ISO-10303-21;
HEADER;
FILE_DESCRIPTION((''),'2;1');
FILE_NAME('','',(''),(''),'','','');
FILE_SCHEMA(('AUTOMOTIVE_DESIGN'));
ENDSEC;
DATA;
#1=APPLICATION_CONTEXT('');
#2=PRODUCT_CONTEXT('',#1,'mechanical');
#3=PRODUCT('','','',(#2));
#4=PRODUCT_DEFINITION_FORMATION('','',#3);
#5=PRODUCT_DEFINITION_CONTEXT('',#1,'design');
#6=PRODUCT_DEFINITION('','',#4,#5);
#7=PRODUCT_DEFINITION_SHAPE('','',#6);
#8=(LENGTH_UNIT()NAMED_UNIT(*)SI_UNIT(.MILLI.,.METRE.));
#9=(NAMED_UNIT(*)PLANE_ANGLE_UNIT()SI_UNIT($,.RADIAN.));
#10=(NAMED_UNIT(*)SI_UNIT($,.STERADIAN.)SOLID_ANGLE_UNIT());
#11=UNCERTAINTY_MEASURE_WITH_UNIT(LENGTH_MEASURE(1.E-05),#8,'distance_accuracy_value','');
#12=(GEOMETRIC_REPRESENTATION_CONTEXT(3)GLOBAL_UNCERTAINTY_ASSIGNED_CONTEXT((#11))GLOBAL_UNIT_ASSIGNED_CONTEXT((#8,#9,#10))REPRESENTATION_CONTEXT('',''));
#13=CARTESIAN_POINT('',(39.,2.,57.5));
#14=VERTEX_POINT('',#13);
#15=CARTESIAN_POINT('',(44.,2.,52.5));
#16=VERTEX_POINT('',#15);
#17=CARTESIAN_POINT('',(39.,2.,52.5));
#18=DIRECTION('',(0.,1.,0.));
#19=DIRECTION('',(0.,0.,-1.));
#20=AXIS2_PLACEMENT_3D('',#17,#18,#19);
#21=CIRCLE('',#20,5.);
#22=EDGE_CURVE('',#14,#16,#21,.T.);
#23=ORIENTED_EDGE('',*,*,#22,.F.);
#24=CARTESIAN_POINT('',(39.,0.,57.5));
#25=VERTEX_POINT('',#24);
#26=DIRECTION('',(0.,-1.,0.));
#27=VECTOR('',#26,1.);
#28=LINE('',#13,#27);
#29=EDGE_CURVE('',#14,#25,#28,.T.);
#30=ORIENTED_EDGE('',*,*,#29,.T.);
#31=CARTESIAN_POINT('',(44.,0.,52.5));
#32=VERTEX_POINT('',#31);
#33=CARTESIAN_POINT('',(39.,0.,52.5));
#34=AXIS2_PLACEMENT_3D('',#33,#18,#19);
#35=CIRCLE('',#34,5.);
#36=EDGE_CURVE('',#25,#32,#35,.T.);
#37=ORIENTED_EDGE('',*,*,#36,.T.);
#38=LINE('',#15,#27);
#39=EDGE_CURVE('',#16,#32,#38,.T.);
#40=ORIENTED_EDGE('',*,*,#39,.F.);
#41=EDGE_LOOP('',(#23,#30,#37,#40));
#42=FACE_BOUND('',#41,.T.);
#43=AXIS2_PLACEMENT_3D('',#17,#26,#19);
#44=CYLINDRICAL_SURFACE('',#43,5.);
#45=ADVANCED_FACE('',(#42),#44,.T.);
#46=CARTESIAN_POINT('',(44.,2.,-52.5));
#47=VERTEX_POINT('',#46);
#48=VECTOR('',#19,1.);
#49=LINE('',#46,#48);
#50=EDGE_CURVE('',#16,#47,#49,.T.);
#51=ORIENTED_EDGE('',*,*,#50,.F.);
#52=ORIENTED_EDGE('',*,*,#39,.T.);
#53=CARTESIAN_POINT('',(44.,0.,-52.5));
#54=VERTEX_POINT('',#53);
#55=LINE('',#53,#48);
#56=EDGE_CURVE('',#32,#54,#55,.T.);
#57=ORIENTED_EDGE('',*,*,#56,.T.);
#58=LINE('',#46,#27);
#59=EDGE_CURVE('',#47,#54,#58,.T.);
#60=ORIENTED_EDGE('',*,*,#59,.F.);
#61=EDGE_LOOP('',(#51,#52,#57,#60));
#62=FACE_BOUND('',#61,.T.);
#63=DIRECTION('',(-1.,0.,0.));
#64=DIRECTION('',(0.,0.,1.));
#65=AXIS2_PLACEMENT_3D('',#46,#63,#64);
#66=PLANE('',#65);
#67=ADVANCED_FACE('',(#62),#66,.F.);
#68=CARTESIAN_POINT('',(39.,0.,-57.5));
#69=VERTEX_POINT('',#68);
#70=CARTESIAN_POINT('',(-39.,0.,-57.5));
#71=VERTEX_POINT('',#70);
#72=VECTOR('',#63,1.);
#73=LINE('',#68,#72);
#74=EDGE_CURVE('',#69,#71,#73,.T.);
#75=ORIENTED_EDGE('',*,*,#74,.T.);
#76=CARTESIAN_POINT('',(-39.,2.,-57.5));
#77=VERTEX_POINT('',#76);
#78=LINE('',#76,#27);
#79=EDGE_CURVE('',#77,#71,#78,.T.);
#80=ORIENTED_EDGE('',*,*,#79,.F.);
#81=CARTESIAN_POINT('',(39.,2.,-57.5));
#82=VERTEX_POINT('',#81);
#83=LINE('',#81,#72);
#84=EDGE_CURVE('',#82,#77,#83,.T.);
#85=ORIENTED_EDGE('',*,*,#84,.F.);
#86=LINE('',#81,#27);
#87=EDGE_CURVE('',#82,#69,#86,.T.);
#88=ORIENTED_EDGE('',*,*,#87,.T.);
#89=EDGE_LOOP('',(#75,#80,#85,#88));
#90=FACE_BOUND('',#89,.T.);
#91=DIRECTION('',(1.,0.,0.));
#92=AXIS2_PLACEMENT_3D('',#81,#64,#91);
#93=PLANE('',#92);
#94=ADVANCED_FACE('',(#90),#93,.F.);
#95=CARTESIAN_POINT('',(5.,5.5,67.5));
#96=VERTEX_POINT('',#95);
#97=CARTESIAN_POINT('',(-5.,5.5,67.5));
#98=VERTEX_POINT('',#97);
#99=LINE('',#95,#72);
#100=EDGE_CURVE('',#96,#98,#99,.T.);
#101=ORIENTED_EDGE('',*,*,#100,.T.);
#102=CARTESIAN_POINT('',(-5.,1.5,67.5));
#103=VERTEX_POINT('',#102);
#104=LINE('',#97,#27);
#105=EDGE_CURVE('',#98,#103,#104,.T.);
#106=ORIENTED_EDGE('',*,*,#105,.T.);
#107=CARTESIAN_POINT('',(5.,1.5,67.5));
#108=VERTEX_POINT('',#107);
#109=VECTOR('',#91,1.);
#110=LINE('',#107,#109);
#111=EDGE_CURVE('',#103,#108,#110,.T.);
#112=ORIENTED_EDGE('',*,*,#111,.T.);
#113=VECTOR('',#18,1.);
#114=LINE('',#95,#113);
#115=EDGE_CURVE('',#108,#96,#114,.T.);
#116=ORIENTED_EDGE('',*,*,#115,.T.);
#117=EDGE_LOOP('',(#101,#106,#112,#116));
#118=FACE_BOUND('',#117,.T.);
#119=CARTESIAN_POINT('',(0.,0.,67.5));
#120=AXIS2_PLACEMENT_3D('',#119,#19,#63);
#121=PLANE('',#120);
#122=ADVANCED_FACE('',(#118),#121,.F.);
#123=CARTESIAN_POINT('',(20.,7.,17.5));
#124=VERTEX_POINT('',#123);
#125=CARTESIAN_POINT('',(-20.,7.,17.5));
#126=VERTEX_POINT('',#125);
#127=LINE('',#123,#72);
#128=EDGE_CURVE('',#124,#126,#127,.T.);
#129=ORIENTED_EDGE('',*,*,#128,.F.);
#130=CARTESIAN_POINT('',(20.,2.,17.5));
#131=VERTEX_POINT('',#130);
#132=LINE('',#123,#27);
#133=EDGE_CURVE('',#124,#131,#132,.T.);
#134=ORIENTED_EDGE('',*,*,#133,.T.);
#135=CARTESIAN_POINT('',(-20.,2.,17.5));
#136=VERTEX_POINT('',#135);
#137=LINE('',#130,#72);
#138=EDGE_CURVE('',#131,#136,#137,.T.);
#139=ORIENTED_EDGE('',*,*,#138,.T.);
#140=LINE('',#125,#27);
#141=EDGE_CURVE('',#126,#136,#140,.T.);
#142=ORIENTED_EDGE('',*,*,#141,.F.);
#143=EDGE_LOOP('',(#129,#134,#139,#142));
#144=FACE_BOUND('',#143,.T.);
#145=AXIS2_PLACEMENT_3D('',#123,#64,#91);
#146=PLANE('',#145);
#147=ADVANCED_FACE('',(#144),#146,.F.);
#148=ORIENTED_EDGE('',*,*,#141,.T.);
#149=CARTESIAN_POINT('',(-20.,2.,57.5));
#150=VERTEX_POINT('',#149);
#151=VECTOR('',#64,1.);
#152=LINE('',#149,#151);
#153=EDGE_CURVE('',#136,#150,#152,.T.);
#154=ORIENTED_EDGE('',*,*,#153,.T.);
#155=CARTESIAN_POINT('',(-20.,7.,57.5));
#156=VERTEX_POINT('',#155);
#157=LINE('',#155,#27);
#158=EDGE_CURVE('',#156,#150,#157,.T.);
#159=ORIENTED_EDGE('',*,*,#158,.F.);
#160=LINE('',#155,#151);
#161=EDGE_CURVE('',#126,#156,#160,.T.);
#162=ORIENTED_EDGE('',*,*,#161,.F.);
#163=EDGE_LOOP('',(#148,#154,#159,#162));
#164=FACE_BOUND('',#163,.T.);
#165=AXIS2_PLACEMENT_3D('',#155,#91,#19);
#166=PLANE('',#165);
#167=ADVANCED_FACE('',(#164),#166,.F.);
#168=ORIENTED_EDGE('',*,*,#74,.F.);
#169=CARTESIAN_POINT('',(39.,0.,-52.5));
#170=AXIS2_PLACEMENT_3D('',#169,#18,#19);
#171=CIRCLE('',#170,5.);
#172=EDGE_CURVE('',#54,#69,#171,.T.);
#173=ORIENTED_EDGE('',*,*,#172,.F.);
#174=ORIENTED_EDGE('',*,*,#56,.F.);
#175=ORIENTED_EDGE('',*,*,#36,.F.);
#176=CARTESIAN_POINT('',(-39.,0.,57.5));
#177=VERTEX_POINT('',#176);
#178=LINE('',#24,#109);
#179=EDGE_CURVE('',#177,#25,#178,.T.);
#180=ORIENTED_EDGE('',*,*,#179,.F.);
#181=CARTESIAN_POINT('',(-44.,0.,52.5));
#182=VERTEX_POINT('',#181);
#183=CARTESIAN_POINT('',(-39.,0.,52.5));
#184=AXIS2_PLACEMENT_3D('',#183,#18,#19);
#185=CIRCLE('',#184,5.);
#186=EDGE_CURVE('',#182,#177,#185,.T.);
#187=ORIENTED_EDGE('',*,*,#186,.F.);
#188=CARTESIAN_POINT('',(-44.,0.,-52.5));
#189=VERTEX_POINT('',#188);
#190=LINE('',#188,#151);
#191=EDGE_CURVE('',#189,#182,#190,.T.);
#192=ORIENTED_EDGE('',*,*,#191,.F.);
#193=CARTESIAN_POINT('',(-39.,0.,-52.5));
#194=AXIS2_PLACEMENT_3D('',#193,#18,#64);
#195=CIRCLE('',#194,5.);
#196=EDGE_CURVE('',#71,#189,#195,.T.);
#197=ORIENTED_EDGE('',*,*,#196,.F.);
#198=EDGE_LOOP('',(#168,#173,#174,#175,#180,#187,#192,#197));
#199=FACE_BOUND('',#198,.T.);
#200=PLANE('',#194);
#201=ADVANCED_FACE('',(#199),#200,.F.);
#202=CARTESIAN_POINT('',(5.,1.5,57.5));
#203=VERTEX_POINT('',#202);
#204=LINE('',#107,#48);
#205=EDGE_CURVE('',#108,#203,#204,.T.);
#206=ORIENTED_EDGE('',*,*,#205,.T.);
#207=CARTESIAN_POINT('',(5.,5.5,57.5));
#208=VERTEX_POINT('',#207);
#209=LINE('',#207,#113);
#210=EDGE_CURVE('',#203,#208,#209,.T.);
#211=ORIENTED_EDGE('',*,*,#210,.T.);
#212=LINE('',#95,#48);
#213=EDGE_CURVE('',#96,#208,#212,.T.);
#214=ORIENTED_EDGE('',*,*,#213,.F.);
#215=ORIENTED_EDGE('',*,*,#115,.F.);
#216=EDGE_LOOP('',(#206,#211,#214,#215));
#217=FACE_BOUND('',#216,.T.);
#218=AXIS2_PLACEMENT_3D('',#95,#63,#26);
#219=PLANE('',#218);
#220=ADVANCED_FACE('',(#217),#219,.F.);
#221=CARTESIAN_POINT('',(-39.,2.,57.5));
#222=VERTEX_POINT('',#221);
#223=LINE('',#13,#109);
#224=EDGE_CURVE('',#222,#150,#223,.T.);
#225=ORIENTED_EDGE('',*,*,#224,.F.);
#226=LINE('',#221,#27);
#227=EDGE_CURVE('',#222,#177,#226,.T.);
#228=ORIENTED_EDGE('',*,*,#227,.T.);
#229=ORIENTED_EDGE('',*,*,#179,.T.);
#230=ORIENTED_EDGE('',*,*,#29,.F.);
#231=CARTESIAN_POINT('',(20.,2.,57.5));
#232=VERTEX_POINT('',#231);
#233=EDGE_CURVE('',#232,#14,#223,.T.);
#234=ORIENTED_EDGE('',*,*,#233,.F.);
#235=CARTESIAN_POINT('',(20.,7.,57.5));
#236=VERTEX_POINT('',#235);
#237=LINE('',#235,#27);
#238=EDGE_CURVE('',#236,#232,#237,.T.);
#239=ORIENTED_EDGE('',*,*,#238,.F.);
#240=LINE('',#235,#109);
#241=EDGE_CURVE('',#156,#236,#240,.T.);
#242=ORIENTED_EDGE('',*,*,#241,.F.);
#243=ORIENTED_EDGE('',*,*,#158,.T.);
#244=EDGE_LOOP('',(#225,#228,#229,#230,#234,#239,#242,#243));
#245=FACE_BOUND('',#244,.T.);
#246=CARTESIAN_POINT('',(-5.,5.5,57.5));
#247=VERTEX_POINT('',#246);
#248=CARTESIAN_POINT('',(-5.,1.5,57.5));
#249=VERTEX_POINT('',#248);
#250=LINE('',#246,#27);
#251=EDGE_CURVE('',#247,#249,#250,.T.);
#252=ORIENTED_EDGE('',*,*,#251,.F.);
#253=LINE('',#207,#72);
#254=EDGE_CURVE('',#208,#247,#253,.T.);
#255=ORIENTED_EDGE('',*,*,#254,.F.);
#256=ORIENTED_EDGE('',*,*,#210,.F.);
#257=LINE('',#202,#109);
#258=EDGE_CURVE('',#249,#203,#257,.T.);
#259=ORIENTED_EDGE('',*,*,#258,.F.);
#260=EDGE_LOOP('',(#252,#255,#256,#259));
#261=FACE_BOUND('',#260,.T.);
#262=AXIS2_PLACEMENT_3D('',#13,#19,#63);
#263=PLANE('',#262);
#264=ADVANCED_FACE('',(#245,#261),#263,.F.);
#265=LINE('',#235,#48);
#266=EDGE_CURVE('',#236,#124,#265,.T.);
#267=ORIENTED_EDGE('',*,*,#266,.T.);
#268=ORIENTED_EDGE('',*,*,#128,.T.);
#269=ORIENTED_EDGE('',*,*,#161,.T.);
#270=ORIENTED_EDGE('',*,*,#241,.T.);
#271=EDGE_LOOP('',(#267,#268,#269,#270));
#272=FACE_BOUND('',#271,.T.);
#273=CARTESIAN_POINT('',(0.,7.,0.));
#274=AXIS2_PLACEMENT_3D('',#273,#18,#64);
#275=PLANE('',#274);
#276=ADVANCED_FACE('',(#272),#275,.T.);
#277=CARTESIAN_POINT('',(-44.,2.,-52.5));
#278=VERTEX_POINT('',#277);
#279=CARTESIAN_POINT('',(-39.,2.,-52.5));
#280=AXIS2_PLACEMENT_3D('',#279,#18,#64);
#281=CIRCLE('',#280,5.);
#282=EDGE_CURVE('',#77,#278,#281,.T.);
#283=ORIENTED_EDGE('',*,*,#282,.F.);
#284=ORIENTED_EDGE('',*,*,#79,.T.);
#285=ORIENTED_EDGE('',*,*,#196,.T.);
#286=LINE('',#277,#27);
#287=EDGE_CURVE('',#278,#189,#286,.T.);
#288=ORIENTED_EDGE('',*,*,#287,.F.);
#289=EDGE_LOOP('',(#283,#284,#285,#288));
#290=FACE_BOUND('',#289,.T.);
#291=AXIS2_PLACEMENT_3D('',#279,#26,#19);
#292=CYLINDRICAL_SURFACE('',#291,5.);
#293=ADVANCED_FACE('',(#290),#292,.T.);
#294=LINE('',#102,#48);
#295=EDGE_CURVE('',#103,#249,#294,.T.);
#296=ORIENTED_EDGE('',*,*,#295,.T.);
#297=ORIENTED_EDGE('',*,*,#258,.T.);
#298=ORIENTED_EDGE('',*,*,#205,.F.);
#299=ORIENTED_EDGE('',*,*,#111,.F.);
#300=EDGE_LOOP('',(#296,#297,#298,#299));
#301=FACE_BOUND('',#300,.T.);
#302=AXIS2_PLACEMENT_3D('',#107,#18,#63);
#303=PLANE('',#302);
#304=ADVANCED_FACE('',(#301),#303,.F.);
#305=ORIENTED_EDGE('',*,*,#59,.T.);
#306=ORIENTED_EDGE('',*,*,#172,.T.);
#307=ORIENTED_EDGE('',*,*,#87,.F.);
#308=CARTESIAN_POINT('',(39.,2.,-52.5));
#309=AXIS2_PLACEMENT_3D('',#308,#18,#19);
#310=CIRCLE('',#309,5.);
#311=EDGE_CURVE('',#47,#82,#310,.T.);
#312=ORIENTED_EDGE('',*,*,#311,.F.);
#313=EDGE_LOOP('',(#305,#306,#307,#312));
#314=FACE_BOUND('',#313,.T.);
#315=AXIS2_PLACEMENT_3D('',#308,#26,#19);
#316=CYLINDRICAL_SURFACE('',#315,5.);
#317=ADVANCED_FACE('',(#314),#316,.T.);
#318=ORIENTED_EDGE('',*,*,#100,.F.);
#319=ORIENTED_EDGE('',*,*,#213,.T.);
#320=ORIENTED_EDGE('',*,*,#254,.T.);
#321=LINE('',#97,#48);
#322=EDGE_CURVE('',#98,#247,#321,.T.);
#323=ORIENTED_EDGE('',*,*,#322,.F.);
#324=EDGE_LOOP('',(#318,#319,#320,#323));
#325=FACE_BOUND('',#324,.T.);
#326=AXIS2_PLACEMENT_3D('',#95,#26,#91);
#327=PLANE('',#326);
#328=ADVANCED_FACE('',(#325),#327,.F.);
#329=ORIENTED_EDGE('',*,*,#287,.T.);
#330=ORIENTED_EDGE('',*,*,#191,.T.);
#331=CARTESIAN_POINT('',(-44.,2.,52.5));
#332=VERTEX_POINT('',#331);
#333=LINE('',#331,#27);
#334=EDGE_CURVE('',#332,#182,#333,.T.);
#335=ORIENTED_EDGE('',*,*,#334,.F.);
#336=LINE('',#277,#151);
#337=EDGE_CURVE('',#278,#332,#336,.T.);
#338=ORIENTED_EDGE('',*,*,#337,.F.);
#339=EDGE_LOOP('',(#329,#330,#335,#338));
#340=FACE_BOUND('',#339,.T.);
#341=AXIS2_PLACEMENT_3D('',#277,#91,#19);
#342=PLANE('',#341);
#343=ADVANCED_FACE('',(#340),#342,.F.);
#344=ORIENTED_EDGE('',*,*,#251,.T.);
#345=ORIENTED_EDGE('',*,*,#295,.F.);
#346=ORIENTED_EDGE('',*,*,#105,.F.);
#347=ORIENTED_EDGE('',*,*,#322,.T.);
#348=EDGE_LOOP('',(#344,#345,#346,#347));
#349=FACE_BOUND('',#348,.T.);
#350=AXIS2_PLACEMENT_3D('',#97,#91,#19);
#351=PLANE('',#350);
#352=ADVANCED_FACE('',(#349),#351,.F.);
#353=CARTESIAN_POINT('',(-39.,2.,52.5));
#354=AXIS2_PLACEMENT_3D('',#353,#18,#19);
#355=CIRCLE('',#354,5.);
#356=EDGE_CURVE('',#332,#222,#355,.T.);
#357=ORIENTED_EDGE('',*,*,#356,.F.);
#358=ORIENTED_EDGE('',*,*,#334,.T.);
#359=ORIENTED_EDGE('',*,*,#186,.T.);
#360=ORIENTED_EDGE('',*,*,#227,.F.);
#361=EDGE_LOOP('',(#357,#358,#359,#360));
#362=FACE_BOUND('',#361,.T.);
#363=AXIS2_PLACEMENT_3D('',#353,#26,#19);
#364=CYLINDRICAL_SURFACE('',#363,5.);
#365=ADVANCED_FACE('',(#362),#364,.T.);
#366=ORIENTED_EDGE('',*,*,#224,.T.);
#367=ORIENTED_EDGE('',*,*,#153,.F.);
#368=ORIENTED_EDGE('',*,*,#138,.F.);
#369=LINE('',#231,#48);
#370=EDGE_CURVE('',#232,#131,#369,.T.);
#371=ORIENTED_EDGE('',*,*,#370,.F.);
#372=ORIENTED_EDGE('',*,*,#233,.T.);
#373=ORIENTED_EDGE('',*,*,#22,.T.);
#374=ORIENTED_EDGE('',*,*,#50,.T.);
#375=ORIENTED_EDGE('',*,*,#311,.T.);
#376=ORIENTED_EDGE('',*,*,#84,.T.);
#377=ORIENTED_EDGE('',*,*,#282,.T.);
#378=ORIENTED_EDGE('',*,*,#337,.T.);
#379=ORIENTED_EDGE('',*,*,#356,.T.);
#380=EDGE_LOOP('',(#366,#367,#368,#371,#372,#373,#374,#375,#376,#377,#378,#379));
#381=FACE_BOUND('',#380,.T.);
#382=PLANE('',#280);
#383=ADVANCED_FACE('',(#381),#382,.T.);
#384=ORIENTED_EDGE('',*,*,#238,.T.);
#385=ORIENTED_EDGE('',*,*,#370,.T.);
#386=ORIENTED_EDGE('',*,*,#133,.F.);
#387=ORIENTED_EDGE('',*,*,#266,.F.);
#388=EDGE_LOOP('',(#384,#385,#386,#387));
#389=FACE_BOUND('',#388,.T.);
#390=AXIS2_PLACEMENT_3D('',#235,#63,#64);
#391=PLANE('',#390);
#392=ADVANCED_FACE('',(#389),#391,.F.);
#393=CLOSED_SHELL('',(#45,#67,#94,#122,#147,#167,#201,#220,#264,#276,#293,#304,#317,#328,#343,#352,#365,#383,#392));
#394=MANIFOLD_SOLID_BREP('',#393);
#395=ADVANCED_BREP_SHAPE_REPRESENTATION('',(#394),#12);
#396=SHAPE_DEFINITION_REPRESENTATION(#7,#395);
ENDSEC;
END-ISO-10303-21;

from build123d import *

# Parameters (mm, degrees)
BOSS_EXTRUDE4_DEPTH = 2
SKETCH6_W           = 40
SKETCH6_H           = 40
BOSS_EXTRUDE5_DEPTH = 5
SKETCH7_W           = 10
SKETCH7_H           = 4
BOSS_EXTRUDE6_DEPTH = 10


with BuildPart() as part:
    # Sketch5 → Boss-Extrude4 (new body)
    with BuildSketch(Plane(origin=(0, 0, 0), x_dir=(1, 0, 0), z_dir=(0, 1, 0))):
        with BuildLine():
            Line((39, 57.5), (-39, 57.5))
            ThreePointArc((-39, 57.5), (-42.535533906, 56.035533906), (-44, 52.5))
            Line((-44, 52.5), (-44, -52.5))
            ThreePointArc((-44, -52.5), (-42.535533906, -56.035533906), (-39, -57.5))
            Line((-39, -57.5), (39, -57.5))
            ThreePointArc((39, -57.5), (42.535533906, -56.035533906), (44, -52.5))
            Line((44, -52.5), (44, 52.5))
            ThreePointArc((44, 52.5), (42.535533906, 56.035533906), (39, 57.5))
        make_face()
    extrude(amount=BOSS_EXTRUDE4_DEPTH)

    # Sketch6 → Boss-Extrude5 (add)
    with BuildSketch(Plane(origin=(0, 2, 0), x_dir=(1, 0, 0), z_dir=(0, 1, 0))):
        with Locations((0, -37.5)):
            Rectangle(SKETCH6_W, SKETCH6_H)
    extrude(amount=BOSS_EXTRUDE5_DEPTH)

    # Sketch7 → Boss-Extrude6 (add)
    with BuildSketch(Plane.XY.offset(57.5)):
        with Locations((0, 3.5)):
            Rectangle(SKETCH7_W, SKETCH7_H)
    extrude(amount=BOSS_EXTRUDE6_DEPTH)


solid = part.part
